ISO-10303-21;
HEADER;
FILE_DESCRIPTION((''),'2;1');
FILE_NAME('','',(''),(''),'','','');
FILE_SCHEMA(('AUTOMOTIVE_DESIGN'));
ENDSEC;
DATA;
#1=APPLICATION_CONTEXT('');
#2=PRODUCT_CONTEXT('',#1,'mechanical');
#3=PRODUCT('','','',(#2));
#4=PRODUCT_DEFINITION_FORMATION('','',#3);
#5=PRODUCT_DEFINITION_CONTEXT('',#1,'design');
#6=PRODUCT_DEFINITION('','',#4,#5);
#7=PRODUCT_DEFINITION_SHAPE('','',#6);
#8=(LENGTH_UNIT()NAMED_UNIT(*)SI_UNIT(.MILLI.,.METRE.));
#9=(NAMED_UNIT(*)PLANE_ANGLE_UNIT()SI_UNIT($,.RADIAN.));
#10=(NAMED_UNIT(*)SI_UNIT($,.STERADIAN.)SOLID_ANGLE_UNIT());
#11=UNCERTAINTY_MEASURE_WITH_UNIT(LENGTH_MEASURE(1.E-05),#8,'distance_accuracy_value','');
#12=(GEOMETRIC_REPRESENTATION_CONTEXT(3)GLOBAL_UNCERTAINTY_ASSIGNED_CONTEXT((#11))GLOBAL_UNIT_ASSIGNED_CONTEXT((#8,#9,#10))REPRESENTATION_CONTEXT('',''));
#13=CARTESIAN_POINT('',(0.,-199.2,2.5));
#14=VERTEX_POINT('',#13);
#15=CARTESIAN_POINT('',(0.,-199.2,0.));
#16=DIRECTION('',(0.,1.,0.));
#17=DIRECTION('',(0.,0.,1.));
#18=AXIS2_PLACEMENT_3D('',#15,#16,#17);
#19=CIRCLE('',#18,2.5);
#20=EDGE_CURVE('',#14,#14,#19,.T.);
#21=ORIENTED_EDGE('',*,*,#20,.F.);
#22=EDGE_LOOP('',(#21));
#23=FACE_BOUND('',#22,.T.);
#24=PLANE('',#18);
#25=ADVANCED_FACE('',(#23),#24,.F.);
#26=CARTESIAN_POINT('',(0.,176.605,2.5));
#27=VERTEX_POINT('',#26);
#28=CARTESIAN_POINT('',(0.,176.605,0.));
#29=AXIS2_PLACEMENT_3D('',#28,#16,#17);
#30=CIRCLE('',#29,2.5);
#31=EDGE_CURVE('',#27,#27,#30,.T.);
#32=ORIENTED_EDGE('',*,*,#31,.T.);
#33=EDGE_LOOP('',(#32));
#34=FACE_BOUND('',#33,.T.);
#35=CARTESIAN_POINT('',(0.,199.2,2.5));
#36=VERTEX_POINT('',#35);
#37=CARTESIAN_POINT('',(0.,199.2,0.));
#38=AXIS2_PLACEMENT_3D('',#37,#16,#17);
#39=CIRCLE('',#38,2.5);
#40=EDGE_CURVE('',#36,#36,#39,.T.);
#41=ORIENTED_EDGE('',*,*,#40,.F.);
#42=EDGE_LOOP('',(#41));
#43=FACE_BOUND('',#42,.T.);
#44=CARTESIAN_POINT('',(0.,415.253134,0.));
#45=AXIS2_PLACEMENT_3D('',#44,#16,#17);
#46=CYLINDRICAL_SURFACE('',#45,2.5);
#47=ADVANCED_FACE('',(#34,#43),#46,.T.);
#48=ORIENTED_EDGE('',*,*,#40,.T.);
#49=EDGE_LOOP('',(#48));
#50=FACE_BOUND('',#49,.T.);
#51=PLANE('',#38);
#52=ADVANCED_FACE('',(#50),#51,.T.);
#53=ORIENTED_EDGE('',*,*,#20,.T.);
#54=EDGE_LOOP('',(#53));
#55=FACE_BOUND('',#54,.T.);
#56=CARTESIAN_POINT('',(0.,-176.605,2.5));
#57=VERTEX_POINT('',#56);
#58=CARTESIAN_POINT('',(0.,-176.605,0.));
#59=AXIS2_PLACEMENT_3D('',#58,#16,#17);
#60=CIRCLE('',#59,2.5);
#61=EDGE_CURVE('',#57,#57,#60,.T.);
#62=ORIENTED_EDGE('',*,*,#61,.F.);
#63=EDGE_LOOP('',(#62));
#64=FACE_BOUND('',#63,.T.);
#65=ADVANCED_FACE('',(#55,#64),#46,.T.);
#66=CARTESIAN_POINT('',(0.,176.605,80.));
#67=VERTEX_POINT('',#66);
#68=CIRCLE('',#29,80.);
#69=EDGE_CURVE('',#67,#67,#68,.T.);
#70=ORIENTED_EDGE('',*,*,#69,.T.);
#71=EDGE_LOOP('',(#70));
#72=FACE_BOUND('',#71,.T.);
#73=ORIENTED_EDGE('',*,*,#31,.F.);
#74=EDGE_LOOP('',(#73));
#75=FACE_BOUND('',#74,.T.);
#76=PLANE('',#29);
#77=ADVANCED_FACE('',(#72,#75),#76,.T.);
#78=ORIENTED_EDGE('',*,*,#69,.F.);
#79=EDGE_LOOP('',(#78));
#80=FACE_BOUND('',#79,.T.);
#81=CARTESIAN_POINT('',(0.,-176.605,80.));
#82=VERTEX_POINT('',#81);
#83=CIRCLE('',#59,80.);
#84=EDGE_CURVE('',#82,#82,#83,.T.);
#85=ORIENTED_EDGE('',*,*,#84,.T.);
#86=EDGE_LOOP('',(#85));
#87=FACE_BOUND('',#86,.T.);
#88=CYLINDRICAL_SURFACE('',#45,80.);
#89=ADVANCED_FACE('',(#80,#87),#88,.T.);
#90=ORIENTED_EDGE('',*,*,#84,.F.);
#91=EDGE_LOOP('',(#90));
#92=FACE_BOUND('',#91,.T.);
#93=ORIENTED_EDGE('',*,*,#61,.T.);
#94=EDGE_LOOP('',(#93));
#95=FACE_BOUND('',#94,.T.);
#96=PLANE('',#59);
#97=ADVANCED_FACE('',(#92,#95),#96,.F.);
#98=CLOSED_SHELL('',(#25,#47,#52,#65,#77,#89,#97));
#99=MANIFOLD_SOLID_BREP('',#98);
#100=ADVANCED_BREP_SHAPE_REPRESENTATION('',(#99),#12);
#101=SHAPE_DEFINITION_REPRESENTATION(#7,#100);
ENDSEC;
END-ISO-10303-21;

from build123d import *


with BuildPart() as part:
    # Croquis1 → Revolución1 (revolve)
    with BuildSketch(Plane.XY):
        Polygon((2.5, 199.2), (0, 199.2), (0, 0), (80, 0), (80, 176.605), (2.5, 176.605), align=None)
        Polygon((80, 0), (0, 0), (0, -199.2), (2.5, -199.2), (2.5, -176.605), (80, -176.605), align=None)
    revolve(axis=Axis((0, 415.25313391, 0), (0, -1, 0)))


solid = part.part
